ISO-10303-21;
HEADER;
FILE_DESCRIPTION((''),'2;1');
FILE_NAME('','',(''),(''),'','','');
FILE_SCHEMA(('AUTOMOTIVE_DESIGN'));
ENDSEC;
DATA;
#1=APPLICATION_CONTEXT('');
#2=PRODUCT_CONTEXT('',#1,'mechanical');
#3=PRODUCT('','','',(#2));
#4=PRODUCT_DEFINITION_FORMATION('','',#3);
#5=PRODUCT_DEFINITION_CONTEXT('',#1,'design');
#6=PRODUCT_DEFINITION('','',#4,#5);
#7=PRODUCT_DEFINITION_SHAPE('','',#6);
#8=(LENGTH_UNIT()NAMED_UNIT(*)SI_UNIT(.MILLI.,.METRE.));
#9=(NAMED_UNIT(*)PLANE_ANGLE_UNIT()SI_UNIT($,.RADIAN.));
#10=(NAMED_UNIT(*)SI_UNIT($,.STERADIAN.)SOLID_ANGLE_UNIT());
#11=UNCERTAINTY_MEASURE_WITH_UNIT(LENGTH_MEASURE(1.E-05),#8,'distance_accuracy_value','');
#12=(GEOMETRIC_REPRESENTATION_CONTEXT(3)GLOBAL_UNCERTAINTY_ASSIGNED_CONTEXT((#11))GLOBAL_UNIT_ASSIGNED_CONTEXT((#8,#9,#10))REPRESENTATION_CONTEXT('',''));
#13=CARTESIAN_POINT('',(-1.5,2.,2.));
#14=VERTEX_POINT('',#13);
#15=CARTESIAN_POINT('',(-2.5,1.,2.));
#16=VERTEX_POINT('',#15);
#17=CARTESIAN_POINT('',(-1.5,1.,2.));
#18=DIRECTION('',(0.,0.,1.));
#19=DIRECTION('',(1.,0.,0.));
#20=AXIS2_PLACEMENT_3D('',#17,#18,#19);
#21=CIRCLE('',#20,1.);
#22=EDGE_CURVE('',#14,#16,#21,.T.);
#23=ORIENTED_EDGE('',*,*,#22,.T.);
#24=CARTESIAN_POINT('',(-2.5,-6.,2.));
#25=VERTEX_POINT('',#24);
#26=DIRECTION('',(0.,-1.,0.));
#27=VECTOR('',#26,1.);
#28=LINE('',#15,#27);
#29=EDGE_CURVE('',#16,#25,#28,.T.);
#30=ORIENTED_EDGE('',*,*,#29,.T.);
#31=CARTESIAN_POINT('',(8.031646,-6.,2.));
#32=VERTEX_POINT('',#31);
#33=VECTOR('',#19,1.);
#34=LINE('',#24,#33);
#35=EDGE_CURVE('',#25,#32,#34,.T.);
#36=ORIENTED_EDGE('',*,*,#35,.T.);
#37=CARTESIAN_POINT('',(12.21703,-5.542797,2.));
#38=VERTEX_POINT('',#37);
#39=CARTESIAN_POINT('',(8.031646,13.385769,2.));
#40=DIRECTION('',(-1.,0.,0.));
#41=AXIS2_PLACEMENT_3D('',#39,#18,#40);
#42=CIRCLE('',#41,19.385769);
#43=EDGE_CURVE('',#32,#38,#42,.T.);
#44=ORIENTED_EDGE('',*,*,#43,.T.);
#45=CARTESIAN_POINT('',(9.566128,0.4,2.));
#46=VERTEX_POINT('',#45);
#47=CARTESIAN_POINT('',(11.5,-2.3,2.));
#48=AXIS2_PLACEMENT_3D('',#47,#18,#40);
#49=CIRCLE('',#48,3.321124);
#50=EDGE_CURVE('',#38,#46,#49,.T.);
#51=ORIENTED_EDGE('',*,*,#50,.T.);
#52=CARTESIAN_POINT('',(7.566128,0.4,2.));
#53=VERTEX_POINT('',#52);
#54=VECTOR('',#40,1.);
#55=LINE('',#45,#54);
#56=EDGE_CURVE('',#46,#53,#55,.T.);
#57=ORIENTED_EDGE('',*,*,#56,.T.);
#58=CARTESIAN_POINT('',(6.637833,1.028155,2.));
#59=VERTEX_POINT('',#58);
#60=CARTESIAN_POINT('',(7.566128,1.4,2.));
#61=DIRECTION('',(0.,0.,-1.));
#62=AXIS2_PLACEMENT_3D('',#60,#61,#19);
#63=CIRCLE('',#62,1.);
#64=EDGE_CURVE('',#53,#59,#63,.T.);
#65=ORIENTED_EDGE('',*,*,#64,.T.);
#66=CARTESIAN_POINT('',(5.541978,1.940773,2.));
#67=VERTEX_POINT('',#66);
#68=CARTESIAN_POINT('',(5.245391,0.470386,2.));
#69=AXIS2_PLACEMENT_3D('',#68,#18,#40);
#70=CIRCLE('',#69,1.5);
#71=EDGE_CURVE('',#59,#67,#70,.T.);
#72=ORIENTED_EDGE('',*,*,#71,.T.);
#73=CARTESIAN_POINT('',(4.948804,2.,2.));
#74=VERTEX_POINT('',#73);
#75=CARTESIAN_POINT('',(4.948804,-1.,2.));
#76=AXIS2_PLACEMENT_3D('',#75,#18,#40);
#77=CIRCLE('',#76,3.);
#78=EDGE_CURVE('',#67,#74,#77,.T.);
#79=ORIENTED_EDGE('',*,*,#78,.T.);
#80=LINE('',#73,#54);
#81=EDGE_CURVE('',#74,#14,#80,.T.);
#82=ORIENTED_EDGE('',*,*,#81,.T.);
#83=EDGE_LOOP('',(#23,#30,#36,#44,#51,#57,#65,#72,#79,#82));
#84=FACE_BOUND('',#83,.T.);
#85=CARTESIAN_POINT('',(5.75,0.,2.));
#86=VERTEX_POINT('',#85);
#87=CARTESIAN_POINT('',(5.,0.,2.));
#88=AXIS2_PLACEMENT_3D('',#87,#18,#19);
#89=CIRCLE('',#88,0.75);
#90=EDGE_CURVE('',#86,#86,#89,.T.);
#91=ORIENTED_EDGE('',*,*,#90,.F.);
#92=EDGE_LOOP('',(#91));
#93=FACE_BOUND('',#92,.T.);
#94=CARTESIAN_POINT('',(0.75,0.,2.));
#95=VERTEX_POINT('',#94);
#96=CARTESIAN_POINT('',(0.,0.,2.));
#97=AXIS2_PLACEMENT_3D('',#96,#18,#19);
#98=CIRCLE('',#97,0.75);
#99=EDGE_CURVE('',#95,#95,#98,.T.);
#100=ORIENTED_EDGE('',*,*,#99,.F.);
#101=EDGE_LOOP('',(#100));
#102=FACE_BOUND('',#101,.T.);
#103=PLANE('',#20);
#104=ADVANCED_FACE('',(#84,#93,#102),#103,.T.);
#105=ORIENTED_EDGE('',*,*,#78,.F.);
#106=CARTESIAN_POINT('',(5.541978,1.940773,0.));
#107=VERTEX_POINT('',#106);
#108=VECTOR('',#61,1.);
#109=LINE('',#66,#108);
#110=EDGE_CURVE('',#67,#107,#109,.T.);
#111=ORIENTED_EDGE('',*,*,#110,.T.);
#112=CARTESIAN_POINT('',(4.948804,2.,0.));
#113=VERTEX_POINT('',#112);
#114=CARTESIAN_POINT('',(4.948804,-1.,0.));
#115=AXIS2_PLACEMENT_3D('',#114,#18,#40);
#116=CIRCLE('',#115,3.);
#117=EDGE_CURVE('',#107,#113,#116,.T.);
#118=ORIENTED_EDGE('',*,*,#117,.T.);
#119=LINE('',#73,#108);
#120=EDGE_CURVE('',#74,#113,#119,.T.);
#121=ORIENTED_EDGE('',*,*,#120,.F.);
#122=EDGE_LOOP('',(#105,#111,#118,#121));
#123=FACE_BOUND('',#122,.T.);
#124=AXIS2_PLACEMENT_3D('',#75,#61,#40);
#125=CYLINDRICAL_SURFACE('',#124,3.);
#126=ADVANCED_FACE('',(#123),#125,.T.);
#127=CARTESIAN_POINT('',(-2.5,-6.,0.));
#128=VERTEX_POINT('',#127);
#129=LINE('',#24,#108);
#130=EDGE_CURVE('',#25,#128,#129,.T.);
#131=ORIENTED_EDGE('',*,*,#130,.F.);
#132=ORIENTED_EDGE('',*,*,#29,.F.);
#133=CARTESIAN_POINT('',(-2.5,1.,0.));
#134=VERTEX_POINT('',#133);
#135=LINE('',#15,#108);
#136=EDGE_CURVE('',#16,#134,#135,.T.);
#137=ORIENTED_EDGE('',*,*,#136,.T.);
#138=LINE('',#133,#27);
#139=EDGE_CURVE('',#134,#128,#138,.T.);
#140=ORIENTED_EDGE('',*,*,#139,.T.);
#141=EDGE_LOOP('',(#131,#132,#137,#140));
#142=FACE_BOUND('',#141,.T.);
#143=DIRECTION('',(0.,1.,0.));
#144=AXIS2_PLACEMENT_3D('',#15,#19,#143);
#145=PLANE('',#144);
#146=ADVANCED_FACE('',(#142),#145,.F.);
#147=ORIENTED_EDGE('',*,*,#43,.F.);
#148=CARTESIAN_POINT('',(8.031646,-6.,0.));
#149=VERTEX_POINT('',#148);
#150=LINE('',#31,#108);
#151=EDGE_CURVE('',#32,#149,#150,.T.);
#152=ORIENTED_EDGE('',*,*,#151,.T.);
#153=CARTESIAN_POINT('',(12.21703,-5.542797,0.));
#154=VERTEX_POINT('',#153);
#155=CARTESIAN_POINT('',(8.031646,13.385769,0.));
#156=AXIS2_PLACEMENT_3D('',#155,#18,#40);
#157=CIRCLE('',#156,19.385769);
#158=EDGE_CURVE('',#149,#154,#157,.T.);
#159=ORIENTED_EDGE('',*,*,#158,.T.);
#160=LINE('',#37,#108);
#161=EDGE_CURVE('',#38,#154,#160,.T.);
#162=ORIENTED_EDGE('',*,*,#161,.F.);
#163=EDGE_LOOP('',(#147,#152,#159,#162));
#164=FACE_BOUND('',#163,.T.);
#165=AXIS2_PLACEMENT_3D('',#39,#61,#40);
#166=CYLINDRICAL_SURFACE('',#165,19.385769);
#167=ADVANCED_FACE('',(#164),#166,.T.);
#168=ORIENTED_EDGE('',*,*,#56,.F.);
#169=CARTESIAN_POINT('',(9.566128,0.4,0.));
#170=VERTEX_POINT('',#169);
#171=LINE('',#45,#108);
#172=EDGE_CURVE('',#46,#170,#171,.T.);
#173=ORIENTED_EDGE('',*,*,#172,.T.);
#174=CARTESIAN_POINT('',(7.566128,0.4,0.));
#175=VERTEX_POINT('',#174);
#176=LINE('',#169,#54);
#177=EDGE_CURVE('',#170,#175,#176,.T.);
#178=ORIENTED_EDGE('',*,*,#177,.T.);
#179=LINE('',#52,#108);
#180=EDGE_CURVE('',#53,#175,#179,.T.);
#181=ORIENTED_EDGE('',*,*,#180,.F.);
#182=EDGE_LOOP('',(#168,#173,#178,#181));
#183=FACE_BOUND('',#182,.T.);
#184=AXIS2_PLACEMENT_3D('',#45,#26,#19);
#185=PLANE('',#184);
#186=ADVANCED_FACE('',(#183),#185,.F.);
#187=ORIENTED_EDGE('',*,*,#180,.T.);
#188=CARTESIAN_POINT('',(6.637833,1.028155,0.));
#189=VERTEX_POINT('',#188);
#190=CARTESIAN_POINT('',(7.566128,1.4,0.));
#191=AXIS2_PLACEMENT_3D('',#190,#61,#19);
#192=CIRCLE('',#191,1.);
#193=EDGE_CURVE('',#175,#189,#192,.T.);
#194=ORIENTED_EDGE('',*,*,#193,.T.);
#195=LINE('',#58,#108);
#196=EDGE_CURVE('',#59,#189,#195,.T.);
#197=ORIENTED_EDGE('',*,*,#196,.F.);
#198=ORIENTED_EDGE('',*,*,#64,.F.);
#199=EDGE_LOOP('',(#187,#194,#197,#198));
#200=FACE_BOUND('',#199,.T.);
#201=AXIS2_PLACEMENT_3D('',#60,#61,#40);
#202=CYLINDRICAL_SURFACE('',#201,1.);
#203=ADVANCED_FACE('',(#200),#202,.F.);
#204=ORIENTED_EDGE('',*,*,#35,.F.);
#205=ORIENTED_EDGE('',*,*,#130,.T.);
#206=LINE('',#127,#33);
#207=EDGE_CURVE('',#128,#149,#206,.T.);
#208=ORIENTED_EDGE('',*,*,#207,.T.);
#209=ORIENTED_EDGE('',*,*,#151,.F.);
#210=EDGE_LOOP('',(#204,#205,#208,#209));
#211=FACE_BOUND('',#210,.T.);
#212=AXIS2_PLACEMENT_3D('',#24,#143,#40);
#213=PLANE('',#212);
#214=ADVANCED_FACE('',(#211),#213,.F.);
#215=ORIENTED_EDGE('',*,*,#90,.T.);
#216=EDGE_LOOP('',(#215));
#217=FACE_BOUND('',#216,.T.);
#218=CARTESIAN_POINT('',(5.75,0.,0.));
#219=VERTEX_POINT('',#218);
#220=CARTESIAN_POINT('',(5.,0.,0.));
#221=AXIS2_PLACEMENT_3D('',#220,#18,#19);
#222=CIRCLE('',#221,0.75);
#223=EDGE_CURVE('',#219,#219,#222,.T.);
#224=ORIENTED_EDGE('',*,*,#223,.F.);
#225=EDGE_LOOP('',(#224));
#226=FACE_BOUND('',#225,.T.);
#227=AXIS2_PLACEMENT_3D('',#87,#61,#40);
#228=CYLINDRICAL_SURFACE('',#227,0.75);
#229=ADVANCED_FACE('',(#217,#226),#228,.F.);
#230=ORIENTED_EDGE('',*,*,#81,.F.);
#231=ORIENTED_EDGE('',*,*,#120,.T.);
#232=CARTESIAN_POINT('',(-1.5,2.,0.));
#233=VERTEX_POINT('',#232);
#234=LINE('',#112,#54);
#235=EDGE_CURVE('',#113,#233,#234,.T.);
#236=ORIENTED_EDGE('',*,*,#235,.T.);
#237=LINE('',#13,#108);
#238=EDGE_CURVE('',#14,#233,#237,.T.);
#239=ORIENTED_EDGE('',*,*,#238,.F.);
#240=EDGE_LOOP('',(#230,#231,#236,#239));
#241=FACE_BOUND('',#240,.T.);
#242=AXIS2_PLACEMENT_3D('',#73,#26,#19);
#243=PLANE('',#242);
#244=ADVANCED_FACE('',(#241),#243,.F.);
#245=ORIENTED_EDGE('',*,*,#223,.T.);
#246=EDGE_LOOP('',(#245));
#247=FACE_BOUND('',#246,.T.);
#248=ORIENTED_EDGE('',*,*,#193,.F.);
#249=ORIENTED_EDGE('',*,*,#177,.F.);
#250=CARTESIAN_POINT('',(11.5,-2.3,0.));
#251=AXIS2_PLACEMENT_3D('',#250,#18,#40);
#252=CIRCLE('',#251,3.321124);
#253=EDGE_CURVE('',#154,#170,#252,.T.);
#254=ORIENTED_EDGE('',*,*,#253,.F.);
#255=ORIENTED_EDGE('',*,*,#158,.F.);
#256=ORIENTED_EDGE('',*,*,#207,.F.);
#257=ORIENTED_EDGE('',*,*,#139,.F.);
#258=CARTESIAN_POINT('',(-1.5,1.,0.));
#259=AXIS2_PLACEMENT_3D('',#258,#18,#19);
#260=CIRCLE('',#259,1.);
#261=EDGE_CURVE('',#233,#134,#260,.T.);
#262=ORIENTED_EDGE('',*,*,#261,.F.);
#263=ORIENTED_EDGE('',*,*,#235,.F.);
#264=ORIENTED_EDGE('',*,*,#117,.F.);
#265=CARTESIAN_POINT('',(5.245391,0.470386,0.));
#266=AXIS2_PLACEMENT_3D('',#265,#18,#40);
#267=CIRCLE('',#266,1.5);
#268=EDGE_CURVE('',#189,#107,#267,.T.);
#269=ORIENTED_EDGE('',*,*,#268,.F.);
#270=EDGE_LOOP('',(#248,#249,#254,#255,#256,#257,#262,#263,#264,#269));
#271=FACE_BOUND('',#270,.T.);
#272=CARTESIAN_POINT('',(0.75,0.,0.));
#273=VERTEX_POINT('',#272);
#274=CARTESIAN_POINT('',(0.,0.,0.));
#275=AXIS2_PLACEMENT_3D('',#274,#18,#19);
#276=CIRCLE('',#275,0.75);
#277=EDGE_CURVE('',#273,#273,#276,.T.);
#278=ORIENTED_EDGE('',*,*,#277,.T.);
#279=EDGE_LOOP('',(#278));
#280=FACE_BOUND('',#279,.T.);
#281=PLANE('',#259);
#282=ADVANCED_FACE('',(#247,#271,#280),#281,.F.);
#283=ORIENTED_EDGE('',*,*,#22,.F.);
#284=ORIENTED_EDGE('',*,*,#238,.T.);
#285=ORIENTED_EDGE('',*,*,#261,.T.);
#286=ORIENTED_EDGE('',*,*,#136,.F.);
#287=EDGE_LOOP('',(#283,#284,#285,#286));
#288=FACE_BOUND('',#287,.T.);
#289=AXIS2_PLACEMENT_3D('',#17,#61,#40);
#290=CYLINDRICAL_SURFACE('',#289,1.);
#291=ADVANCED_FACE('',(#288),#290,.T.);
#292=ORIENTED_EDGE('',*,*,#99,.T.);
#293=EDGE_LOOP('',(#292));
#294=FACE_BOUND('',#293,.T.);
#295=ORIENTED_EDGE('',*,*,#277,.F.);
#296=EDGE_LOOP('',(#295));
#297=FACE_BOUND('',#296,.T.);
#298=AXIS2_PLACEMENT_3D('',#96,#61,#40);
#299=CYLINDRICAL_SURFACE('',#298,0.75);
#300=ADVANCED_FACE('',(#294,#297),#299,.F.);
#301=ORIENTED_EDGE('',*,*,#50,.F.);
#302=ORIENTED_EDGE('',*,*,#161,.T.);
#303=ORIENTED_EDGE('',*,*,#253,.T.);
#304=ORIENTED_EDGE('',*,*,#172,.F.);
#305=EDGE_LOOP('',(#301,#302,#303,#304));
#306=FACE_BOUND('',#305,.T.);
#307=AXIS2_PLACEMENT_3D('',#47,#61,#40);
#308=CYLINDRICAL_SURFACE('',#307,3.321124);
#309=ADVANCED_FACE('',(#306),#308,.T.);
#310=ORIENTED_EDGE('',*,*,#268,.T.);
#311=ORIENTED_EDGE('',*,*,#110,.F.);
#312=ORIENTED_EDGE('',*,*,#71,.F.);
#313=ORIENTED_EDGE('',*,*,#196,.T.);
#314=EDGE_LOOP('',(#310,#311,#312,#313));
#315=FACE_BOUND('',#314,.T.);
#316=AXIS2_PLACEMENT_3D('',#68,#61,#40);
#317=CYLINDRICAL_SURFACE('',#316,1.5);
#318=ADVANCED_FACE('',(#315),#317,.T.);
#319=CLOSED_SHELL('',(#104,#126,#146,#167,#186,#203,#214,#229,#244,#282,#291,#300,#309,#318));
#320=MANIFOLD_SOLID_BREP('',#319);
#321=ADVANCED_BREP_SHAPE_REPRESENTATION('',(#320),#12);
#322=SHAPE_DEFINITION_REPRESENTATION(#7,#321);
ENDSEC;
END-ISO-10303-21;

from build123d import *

# Parameters (mm, degrees)
SKETCH1_R           = 0.75
BOSS_EXTRUDE1_DEPTH = 2


with BuildPart() as part:
    # Sketch1 → Boss-Extrude1 (new body)
    with BuildSketch(Plane.XY):
        with BuildLine():
            Line((4.948803726, 2), (-1.5, 2))
            ThreePointArc((-1.5, 2), (-2.207106781, 1.707106781), (-2.5, 1))
            Line((-2.5, 1), (-2.5, -6))
            Line((-2.5, -6), (8.03164583, -6))
            ThreePointArc((8.03164583, -6), (10.136786902, -5.885360204), (12.217030025, -5.542796686))
            ThreePointArc((12.217030025, -5.542796686), (14.533048705, -0.947048427), (9.566127614, 0.4))
            Line((9.566127614, 0.4), (7.566127614, 0.4))
            ThreePointArc((7.566127614, 0.4), (7.005701644, 0.571795477), (6.637832967, 1.028154536))
            ThreePointArc((6.637832967, 1.028154536), (6.20529876, 1.623025524), (5.541978268, 1.940772681))
            ThreePointArc((5.541978268, 1.940772681), (5.246865763, 1.985156448), (4.948803726, 2))
        make_face()
        Circle(SKETCH1_R, mode=Mode.SUBTRACT)
        with Locations((5, 0)):
            Circle(SKETCH1_R, mode=Mode.SUBTRACT)
    extrude(amount=BOSS_EXTRUDE1_DEPTH)


solid = part.part
